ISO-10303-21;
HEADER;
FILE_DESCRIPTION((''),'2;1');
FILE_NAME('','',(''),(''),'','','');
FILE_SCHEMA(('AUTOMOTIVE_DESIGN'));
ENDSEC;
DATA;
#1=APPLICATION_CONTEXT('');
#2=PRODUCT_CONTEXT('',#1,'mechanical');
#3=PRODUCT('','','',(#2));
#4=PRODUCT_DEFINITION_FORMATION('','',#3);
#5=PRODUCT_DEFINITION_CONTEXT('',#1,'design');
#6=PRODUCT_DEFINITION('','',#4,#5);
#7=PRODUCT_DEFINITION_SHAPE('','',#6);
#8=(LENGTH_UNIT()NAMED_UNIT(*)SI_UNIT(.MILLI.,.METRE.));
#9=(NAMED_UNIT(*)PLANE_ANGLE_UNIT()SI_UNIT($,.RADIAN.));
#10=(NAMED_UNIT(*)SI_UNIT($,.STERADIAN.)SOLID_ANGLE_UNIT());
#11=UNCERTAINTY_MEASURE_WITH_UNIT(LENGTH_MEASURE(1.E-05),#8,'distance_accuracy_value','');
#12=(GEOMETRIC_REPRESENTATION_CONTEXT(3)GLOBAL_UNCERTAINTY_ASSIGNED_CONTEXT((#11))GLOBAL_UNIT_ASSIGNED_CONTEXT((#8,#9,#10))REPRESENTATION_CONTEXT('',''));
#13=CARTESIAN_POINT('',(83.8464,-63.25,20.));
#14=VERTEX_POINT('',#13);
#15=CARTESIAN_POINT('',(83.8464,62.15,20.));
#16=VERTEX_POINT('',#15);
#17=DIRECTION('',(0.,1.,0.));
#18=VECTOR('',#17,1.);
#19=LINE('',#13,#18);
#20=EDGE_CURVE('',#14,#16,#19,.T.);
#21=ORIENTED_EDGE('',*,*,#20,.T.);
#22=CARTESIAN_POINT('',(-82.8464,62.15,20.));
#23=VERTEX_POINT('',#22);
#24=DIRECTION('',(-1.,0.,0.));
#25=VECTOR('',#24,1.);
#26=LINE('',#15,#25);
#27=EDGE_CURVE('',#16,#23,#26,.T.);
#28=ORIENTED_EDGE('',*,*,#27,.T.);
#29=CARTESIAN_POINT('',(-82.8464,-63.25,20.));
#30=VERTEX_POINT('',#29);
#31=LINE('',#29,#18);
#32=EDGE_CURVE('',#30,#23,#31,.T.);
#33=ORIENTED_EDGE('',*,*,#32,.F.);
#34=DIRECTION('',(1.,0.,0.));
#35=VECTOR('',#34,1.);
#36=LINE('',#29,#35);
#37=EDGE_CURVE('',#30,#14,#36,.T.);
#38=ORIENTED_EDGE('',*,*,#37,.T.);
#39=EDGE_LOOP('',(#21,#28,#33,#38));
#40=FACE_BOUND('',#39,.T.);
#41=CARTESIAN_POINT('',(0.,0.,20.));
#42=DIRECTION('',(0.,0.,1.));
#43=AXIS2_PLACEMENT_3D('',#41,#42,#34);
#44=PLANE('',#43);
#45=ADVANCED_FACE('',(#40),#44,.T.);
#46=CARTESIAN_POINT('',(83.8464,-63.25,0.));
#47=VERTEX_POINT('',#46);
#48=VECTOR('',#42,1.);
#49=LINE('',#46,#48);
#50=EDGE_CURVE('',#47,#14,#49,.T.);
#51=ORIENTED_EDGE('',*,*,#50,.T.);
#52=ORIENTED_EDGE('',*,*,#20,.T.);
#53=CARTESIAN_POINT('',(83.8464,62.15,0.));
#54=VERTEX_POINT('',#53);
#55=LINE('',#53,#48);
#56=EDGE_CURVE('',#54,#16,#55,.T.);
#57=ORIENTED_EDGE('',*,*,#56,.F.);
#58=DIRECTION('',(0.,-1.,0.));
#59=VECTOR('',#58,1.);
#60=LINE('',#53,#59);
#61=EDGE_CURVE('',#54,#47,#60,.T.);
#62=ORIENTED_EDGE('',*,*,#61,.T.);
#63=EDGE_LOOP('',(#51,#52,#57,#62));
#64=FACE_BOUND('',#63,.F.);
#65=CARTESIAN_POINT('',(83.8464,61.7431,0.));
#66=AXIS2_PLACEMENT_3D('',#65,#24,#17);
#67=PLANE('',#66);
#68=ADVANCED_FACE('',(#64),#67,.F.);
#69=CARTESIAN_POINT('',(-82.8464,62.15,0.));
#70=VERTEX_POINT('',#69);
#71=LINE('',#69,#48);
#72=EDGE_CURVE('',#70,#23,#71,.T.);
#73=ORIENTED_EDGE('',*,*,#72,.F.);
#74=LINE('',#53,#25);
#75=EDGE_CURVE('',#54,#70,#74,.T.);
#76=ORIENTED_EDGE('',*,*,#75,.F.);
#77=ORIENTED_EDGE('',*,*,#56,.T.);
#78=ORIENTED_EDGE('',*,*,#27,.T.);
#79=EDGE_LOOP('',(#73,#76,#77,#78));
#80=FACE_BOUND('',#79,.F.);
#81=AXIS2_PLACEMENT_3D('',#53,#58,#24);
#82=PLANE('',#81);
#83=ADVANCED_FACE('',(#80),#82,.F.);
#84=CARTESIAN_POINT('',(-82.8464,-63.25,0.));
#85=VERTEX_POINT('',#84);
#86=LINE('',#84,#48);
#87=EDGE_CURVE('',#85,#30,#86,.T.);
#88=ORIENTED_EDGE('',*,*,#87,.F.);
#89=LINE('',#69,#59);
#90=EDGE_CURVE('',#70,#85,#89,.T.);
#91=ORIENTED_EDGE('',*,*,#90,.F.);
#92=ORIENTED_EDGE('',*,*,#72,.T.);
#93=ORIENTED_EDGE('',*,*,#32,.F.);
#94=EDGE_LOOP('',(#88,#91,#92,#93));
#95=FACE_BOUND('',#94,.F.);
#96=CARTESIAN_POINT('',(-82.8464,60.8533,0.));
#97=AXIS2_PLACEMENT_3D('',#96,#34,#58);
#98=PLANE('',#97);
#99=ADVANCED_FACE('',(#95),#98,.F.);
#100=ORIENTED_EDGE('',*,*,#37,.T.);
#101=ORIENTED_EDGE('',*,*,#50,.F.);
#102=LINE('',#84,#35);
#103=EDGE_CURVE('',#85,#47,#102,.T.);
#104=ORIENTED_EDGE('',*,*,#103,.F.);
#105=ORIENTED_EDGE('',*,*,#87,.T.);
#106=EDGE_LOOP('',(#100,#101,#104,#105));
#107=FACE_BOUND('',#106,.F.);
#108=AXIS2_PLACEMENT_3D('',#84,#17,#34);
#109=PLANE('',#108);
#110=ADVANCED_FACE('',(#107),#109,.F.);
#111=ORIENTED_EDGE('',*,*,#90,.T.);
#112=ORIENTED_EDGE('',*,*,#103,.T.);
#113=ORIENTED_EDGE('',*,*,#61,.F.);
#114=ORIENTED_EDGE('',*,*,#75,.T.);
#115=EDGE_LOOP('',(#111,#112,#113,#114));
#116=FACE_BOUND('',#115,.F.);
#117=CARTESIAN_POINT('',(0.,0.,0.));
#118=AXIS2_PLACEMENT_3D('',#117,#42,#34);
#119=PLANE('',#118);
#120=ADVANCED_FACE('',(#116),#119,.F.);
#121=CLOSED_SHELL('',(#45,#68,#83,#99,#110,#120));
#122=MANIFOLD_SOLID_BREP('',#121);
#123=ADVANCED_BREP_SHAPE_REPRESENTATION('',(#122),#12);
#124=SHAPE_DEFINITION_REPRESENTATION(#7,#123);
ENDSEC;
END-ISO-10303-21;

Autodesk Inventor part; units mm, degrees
ref_plane "YZ Plane" through (0, 0, 0) normal (1, 0, 0) x (0, 1, 0)
ref_plane "XZ Plane" through (0, 0, 0) normal (0, 1, 0) x (-1, 0, 0)
ref_plane "XY Plane" through (0, 0, 0) normal (0, 0, 1) x (1, 0, 0)
sketch "Sketch1" plane through (0, 0, 0) normal (0, 0, 1) x (1, 0, 0)
  line L0 (-54, -57.15) -> (54, -57.15) construction
  line L1 (54, -57.15) -> (54, 57.15) construction
  line L2 (54, 57.15) -> (-54, 57.15) construction
  line L3 (-54, 57.15) -> (-54, -57.15) construction
  line L4 (-54, -57.15) -> (54, -57.15) construction
  line L5 (54, -57.15) -> (54, 57.15) construction
  line L6 (54, 57.15) -> (-54, 57.15) construction
  line L7 (-54, 57.15) -> (-54, -57.15) construction
  circle A0 centre (-9.5, -0.55) radius 9.5 construction
  circle A1 centre (10.5, -0.55) radius 9.5 construction
  line L8 (0, -0.55) -> (1, -0.55) construction
  line L9 (77.2, 10.9497) -> (83.8464, 10.9497) projected
  line L10 (83.8464, 10.9497) -> (83.8464, 62.15) projected
  line L11 (83.8464, 62.15) -> (-82.8464, 62.15) projected
  line L12 (-82.8464, 62.15) -> (-82.8464, 10.9497) projected
  line L13 (-82.8464, 10.9497) -> (-76.2, 10.9497) projected
  line L14 (-76.2, 10.9497) -> (-76.2, 57.15) projected
  line L15 (-76.2, 57.15) -> (77.2, 57.15) projected
  line L16 (77.2, 57.15) -> (77.2, 10.9497) projected
  circle A2 centre (20.5, 16.7705) radius 9.5 projected
  circle A3 centre (0.5, 16.7705) radius 9.5 projected
  line L17 (77.2, 10.9497) -> (77.2, 57.15) projected
  line L18 (77.2, 57.15) -> (-76.2, 57.15) projected
  line L19 (-76.2, 57.15) -> (-76.2, 10.9497) projected
  line L20 (-76.2, 10.9497) -> (-82.8464, 10.9497) projected
  line L21 (-82.8464, -12.0497) -> (-82.8464, 10.9497) projected
  line L22 (-76.2, -12.0497) -> (-82.8464, -12.0497) projected
  line L23 (-76.2, -12.0497) -> (-76.2, -58.25) projected
  line L24 (-76.2, -58.25) -> (77.2, -58.25) projected
  line L25 (77.2, -58.25) -> (77.2, -12.0497) projected
  line L26 (83.8464, -12.0497) -> (77.2, -12.0497) projected
  line L27 (83.8464, 10.9497) -> (83.8464, -12.0497) projected
  line L28 (83.8464, 10.9497) -> (77.2, 10.9497) projected
  circle A4 centre (-19.5, -17.8705) radius 9.5 projected
  circle A5 centre (-68.972, -26.5) radius 3.615 projected
  circle A6 centre (69.972, -26.5) radius 3.615 projected
  circle A7 centre (30.5, -0.55) radius 9.5 projected
  circle A8 centre (-29.5, -0.55) radius 9.5 projected
  circle A9 centre (10.5, -0.55) radius 9.5 projected
  circle A10 centre (-9.5, -0.55) radius 9.5 projected
  circle A11 centre (0.5, -17.8705) radius 9.5 projected
  circle A12 centre (20.5, -17.8705) radius 9.5 projected
  circle A13 centre (-68.972, 25.4) radius 3.615 projected
  circle A14 centre (69.972, 25.4) radius 3.615 projected
  circle A15 centre (-19.5, 16.7705) radius 9.5 projected
  line L29 (77.2, -12.0497) -> (77.2, -58.25) projected
  line L30 (83.8464, -12.0497) -> (77.2, -12.0497) projected
  line L31 (77.2, -12.0497) -> (77.2, -58.25) projected
  line L32 (77.2, -58.25) -> (-76.2, -58.25) projected
  line L33 (-76.2, -58.25) -> (-76.2, -12.0497) projected
  line L34 (-76.2, -12.0497) -> (-82.8464, -12.0497) projected
  line L35 (-82.8464, -12.0497) -> (-82.8464, -63.25) projected
  line L36 (-82.8464, -63.25) -> (83.8464, -63.25) projected
  line L37 (83.8464, -63.25) -> (83.8464, -12.0497) projected
  line L38 (83.8484, 61.7431) -> (83.8484, -63.6569) projected
  line L39 (83.8484, -63.6569) -> (103.8484, -63.6569) projected
  line L40 (103.8484, 61.7431) -> (103.8484, -63.6569) projected
  line L41 (83.8484, 61.7431) -> (103.8484, 61.7431) projected
  line L42 (-102.8465, 60.8533) -> (-102.8465, -64.5467) projected
  line L43 (-102.8465, 60.8533) -> (-102.8465, -64.5467) projected
  line L44 (-102.8465, -64.5467) -> (-82.8465, -64.5467) projected
  line L45 (-82.8465, 60.8533) -> (-82.8465, -64.5467) projected
  line L46 (-102.8465, 60.8533) -> (-82.8465, 60.8533) projected
  line L47 (-82.8464, -63.25) -> (83.8464, -63.25)
  line L48 (83.8464, -63.25) -> (83.8464, 62.15)
  line L49 (83.8464, 62.15) -> (-82.8464, 62.15)
  line L50 (-82.8464, 62.15) -> (-82.8464, -63.25)
  line L51 (-82.8464, -63.25) -> (83.8464, 62.15) construction
  line L52 (83.8464, -63.25) -> (-82.8464, 62.15) construction
  point P0 (0, 0)
  point P1 (0.5, -0.55)
extrude "Extrusion1" add sketch "Sketch1" along normal blind 20 contours L16 L15 L14 L13 L12 L11 L10 L9 | L9 L27 L26 L25 L24 L23 L22 L21 L13 L14 L15 L16 | L37 L36 L35 L22 L23 L24 L25 L26 | A2 | A3 | A4 | A5 | A6 | A7 | A8 | A9 | A10 | A11 | A12 | A13 | A14 | A15
